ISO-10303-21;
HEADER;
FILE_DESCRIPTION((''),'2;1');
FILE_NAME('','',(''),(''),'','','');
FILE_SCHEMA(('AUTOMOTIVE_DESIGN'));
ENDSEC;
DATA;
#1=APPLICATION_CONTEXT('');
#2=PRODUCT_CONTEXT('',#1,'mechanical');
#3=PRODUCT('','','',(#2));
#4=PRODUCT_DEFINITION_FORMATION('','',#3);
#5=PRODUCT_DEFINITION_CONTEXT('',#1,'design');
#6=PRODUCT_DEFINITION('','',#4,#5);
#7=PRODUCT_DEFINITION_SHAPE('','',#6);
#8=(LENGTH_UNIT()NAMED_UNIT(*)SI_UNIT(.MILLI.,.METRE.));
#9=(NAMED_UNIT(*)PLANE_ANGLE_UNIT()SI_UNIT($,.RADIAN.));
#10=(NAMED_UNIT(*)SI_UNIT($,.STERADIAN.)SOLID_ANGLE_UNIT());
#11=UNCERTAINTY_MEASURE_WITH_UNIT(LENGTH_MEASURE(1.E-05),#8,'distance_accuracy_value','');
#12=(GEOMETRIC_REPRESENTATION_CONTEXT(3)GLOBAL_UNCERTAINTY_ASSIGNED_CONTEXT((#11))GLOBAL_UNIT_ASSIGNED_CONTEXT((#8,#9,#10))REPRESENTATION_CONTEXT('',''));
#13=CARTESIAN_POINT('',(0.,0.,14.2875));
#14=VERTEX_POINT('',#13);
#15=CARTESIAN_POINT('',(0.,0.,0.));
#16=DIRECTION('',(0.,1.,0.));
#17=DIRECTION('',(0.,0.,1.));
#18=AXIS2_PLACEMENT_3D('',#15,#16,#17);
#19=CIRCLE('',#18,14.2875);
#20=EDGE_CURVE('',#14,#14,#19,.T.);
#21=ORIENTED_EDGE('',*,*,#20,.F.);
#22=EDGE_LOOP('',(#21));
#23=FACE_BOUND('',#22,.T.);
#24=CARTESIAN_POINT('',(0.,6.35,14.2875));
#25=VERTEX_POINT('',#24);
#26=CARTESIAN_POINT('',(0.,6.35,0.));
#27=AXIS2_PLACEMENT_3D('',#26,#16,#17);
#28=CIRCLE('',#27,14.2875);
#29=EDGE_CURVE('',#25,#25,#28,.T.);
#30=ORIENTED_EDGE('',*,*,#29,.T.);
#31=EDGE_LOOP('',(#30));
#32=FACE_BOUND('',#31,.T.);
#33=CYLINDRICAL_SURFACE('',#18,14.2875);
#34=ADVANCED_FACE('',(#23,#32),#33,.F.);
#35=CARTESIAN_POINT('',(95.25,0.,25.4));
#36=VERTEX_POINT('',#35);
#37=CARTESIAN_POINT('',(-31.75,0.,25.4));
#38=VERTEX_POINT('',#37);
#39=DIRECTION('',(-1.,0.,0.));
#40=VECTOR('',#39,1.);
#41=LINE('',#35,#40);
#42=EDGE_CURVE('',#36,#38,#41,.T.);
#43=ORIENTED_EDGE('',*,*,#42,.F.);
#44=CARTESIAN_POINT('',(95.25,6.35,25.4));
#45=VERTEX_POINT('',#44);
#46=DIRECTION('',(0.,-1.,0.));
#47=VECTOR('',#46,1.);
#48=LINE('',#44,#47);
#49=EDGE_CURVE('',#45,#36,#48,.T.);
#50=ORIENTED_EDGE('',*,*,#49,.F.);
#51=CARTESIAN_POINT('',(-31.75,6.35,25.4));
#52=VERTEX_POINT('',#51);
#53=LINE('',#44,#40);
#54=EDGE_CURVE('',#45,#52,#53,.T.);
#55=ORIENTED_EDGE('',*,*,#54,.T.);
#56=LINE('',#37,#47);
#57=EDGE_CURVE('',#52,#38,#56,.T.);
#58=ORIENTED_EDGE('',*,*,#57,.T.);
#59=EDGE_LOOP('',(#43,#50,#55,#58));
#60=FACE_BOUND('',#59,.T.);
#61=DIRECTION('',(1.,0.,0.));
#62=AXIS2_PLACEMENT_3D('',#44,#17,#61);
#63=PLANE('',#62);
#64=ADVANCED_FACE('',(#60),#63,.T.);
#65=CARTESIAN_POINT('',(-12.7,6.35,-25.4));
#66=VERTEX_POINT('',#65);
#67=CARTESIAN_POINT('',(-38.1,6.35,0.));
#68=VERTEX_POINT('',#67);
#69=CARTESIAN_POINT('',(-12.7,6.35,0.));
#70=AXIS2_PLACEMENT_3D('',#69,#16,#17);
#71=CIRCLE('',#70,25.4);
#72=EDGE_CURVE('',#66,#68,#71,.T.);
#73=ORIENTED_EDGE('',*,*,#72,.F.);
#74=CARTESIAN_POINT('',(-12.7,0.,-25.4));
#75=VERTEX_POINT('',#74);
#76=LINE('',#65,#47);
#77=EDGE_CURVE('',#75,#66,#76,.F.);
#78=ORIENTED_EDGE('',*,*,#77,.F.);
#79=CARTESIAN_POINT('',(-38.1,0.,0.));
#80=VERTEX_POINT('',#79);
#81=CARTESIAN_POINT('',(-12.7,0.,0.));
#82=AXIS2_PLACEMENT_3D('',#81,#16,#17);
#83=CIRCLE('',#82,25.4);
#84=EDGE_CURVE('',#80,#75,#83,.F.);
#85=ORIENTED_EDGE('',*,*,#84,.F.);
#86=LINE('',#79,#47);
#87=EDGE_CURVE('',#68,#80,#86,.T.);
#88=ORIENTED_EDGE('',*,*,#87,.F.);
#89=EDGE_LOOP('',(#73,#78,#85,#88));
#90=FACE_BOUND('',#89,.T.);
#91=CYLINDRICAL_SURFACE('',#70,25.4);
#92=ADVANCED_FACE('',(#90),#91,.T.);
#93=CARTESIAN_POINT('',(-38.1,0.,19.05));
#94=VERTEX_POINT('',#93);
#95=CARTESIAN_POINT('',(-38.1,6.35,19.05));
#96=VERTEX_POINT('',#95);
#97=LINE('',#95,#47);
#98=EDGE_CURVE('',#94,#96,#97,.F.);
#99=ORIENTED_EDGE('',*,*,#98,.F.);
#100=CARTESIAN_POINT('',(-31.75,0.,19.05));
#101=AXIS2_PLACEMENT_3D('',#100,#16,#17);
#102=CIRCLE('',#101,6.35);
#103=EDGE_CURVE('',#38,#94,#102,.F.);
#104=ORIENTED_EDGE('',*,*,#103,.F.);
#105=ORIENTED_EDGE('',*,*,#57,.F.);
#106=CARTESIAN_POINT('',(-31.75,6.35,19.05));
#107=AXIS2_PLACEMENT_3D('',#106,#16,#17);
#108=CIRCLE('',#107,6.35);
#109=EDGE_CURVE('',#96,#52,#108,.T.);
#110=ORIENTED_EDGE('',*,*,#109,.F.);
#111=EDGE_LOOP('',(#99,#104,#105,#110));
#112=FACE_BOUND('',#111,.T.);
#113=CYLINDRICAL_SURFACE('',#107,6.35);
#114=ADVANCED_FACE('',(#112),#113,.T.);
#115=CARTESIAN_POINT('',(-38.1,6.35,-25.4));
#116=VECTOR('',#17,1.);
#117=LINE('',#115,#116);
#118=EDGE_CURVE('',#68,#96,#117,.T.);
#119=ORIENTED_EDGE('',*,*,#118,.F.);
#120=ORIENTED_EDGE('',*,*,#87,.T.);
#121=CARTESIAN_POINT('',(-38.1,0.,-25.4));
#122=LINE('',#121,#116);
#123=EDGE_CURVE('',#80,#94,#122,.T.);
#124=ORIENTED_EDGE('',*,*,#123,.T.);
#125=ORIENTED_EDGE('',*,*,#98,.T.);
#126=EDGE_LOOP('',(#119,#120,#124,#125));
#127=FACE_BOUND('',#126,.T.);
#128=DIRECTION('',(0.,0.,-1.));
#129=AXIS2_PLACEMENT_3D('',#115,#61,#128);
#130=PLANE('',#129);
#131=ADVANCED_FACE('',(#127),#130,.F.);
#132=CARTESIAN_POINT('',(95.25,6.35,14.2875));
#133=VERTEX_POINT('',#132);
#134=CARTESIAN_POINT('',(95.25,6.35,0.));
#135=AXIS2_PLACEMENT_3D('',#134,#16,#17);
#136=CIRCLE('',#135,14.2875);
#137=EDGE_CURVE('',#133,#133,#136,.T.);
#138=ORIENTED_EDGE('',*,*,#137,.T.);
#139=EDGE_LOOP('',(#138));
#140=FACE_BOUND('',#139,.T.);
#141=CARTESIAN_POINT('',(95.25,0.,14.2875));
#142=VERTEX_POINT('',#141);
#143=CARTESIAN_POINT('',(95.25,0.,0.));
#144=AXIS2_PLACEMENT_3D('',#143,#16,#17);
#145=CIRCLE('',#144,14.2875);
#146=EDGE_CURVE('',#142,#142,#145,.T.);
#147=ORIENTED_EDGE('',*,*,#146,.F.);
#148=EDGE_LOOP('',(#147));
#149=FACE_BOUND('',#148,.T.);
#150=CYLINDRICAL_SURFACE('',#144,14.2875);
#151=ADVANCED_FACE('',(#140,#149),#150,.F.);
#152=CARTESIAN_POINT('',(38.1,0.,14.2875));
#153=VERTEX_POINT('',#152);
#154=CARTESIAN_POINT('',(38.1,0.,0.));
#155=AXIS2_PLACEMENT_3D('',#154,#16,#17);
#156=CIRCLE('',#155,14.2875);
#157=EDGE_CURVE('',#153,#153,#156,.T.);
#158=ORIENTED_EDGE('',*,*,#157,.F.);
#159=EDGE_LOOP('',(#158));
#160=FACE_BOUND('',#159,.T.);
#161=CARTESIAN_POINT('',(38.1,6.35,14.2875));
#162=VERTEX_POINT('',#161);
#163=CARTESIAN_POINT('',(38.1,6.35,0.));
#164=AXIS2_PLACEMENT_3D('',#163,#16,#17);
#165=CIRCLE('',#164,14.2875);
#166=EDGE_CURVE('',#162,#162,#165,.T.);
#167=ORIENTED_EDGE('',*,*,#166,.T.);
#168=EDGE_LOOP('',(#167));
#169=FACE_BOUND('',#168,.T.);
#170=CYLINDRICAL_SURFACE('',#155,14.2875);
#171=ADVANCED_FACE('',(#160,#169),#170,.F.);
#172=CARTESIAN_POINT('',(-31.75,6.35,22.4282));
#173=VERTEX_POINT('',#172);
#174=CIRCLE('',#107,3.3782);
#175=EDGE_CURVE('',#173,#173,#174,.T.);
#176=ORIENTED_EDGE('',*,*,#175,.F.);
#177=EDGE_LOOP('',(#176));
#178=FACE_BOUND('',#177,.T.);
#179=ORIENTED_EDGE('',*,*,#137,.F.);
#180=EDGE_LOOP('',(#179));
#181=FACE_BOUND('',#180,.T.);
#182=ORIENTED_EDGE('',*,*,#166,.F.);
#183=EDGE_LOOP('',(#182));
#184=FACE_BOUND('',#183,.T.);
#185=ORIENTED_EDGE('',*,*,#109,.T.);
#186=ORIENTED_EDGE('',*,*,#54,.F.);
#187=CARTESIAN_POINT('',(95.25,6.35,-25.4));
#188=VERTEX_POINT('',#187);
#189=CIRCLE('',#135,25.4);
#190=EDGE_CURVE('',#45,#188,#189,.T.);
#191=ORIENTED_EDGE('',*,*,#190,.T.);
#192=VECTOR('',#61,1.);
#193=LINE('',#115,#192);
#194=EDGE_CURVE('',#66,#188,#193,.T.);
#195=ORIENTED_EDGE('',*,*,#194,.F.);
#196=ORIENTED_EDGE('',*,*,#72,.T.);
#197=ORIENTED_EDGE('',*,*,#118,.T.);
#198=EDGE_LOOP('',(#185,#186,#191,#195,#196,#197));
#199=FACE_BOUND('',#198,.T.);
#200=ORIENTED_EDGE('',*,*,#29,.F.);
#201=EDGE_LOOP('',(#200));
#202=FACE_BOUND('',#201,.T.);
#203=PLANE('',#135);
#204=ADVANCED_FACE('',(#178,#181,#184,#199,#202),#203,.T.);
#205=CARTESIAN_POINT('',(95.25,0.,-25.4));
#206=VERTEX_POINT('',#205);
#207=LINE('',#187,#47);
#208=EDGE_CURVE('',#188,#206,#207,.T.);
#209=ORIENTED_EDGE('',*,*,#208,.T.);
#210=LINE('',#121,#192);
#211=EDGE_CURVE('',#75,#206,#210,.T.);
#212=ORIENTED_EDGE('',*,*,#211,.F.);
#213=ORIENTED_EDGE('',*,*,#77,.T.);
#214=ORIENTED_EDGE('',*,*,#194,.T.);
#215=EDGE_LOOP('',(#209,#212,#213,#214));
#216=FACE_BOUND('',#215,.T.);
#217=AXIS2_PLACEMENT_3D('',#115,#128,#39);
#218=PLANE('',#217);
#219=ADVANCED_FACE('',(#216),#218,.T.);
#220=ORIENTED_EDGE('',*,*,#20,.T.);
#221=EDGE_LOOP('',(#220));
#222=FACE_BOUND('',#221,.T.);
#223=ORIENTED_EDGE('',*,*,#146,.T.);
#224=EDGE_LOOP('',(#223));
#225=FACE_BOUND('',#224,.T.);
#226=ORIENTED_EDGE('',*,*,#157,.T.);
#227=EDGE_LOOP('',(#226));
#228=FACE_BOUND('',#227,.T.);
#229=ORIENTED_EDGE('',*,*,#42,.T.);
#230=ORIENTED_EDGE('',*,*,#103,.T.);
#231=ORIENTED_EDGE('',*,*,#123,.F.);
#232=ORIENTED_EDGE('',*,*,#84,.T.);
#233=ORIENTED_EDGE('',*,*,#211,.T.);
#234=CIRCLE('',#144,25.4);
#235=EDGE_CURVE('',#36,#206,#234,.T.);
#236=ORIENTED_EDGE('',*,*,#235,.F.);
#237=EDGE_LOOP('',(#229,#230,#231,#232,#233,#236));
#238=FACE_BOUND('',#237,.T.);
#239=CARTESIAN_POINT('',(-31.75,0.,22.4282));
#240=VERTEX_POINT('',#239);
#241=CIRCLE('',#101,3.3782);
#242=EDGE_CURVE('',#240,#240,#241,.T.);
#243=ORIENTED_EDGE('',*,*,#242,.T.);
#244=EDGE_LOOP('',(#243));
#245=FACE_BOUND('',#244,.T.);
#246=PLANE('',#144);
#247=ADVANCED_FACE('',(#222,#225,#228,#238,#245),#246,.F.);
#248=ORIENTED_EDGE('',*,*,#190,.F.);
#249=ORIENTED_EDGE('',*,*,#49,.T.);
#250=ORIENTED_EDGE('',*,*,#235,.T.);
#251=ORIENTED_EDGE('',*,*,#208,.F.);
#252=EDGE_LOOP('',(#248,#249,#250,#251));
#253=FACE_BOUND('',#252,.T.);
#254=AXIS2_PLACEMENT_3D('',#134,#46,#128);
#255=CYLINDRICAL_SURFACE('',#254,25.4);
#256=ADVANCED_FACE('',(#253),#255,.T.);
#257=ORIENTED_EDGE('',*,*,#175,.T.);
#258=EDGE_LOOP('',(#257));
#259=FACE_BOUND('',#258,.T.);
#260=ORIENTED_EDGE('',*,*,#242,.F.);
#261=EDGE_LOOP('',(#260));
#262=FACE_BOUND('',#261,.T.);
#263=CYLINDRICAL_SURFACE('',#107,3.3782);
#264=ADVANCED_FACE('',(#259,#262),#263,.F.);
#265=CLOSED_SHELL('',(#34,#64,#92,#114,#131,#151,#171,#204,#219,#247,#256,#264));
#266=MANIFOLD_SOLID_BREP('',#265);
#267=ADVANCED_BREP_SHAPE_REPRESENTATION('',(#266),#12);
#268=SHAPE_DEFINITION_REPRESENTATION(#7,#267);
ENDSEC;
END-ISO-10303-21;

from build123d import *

# Parameters (mm, degrees)
BOSS_EXTRUDE1_DEPTH     = 6.35
SKETCH2_R               = 14.2875
CUT_EXTRUDE1_DEPTH      = 7.35
F_1_4_CLEARANCE_HOLE1_D = 6.7564
FILLET1_R               = 6.35
FILLET2_R               = 25.4


with BuildPart() as part:
    # Sketch1 → Boss-Extrude1 (new body)
    with BuildSketch(Plane(origin=(0, 0, 0), x_dir=(1, 0, 0), z_dir=(0, 1, 0))):
        with BuildLine():
            Line((-38.1, 25.4), (95.25, 25.4))
            ThreePointArc((95.25, 25.4), (120.65, 0), (95.25, -25.4))
            Line((95.25, -25.4), (-38.1, -25.4))
            Line((-38.1, -25.4), (-38.1, 25.4))
        make_face()
    extrude(amount=BOSS_EXTRUDE1_DEPTH)

    # Sketch2 → Cut-Extrude1 (cut, through all)
    with BuildSketch(Plane(origin=(0, 6.35, 0), x_dir=(1, 0, 0), z_dir=(0, 1, 0))):
        with Locations((38.1, 0)):
            Circle(SKETCH2_R)
        with Locations((95.25, 0)):
            Circle(SKETCH2_R)
        Circle(SKETCH2_R)
    extrude(amount=-CUT_EXTRUDE1_DEPTH, mode=Mode.SUBTRACT)

    # 1/4 Clearance Hole1 (through all)
    with Locations(Plane(origin=(0, 6.35, 0), x_dir=(1, 0, 0), z_dir=(0, 1, 0))):
        with Locations((-31.75, -19.05)):
            Hole(F_1_4_CLEARANCE_HOLE1_D / 2)

    # Fillet1
    fillet1_edges = [part.edges().sort_by_distance(p)[0] for p in [
        (-38.1, 3.175, 25.4),
    ]]
    fillet(fillet1_edges, radius=FILLET1_R)

    # Fillet2
    fillet2_edges = [part.edges().sort_by_distance(p)[0] for p in [
        (-38.1, 3.175, -25.4),
    ]]
    fillet(fillet2_edges, radius=FILLET2_R)


solid = part.part
